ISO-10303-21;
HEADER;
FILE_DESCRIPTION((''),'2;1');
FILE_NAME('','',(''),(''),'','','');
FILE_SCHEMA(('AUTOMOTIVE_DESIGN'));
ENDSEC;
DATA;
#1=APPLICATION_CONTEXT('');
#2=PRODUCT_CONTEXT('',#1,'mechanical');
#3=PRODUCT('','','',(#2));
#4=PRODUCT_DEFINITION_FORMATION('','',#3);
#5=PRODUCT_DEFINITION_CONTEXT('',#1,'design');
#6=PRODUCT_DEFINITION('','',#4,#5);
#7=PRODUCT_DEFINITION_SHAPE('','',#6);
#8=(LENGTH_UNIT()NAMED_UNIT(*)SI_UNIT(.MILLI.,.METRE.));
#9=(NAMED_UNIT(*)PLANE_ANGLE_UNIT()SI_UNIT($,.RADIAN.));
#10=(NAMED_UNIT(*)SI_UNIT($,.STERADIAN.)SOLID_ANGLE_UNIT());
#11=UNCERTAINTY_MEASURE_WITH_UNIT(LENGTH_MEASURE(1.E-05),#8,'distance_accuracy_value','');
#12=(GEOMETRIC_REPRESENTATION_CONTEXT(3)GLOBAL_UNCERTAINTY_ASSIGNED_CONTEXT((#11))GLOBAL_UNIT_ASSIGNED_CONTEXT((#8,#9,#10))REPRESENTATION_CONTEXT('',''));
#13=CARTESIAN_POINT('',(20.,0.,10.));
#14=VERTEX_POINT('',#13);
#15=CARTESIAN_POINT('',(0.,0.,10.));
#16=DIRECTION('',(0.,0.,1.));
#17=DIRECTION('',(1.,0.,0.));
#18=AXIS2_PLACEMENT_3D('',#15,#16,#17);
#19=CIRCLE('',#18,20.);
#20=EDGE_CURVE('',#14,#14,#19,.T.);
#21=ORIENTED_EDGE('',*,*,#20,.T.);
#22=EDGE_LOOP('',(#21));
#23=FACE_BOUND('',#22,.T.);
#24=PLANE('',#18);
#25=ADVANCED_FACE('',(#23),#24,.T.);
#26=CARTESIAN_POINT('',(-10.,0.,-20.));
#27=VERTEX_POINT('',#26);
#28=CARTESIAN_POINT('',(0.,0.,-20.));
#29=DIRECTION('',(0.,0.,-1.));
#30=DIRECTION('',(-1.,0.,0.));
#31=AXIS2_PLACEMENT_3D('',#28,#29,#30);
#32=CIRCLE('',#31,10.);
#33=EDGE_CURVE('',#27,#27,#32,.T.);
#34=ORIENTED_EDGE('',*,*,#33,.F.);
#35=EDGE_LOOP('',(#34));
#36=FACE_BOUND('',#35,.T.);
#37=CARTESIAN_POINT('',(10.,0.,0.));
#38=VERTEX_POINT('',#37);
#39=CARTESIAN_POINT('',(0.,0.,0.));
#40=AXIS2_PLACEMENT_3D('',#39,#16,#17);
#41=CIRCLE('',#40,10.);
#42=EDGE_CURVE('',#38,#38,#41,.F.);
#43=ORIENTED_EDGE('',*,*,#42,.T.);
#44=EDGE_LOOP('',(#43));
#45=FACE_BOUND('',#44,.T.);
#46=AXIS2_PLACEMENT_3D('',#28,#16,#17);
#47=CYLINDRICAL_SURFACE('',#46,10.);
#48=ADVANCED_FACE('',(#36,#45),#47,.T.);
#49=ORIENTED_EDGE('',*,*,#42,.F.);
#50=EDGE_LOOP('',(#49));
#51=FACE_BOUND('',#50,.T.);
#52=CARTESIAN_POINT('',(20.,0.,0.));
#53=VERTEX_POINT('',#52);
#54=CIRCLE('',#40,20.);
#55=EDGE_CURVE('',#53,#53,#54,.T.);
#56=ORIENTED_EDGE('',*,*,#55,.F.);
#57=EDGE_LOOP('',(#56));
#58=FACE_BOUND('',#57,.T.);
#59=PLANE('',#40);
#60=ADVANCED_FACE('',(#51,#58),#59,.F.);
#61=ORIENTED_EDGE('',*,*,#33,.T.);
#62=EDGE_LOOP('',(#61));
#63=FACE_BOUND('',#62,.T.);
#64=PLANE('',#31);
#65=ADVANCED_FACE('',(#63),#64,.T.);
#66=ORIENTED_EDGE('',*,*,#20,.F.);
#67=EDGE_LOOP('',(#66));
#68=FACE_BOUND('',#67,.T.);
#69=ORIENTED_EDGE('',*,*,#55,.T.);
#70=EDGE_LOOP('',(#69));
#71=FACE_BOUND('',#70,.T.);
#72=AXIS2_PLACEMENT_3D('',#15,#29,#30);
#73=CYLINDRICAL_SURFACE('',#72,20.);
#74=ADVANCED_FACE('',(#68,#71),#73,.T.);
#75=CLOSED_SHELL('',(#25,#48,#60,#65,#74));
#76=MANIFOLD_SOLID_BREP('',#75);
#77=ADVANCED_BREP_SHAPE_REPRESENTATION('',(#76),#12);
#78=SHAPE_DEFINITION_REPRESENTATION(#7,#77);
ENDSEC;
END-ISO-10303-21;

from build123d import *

# Parameters (mm, degrees)
SKETCH1_R           = 20
BOSS_EXTRUDE2_DEPTH = 10
SKETCH3_R           = 10
BOSS_EXTRUDE3_DEPTH = 20


with BuildPart() as part:
    # Sketch1 → Boss-Extrude2 (new body)
    with BuildSketch(Plane.XY):
        Circle(SKETCH1_R)
    extrude(amount=BOSS_EXTRUDE2_DEPTH)

    # Sketch3 → Boss-Extrude3 (add)
    with BuildSketch(Plane(origin=(0, 0, 0), x_dir=(-1, 0, 0), z_dir=(0, 0, -1))):
        with Locations(Location((0, 0, 0), (0, 0, 180))):
            Circle(SKETCH3_R)
    extrude(amount=BOSS_EXTRUDE3_DEPTH)


solid = part.part
